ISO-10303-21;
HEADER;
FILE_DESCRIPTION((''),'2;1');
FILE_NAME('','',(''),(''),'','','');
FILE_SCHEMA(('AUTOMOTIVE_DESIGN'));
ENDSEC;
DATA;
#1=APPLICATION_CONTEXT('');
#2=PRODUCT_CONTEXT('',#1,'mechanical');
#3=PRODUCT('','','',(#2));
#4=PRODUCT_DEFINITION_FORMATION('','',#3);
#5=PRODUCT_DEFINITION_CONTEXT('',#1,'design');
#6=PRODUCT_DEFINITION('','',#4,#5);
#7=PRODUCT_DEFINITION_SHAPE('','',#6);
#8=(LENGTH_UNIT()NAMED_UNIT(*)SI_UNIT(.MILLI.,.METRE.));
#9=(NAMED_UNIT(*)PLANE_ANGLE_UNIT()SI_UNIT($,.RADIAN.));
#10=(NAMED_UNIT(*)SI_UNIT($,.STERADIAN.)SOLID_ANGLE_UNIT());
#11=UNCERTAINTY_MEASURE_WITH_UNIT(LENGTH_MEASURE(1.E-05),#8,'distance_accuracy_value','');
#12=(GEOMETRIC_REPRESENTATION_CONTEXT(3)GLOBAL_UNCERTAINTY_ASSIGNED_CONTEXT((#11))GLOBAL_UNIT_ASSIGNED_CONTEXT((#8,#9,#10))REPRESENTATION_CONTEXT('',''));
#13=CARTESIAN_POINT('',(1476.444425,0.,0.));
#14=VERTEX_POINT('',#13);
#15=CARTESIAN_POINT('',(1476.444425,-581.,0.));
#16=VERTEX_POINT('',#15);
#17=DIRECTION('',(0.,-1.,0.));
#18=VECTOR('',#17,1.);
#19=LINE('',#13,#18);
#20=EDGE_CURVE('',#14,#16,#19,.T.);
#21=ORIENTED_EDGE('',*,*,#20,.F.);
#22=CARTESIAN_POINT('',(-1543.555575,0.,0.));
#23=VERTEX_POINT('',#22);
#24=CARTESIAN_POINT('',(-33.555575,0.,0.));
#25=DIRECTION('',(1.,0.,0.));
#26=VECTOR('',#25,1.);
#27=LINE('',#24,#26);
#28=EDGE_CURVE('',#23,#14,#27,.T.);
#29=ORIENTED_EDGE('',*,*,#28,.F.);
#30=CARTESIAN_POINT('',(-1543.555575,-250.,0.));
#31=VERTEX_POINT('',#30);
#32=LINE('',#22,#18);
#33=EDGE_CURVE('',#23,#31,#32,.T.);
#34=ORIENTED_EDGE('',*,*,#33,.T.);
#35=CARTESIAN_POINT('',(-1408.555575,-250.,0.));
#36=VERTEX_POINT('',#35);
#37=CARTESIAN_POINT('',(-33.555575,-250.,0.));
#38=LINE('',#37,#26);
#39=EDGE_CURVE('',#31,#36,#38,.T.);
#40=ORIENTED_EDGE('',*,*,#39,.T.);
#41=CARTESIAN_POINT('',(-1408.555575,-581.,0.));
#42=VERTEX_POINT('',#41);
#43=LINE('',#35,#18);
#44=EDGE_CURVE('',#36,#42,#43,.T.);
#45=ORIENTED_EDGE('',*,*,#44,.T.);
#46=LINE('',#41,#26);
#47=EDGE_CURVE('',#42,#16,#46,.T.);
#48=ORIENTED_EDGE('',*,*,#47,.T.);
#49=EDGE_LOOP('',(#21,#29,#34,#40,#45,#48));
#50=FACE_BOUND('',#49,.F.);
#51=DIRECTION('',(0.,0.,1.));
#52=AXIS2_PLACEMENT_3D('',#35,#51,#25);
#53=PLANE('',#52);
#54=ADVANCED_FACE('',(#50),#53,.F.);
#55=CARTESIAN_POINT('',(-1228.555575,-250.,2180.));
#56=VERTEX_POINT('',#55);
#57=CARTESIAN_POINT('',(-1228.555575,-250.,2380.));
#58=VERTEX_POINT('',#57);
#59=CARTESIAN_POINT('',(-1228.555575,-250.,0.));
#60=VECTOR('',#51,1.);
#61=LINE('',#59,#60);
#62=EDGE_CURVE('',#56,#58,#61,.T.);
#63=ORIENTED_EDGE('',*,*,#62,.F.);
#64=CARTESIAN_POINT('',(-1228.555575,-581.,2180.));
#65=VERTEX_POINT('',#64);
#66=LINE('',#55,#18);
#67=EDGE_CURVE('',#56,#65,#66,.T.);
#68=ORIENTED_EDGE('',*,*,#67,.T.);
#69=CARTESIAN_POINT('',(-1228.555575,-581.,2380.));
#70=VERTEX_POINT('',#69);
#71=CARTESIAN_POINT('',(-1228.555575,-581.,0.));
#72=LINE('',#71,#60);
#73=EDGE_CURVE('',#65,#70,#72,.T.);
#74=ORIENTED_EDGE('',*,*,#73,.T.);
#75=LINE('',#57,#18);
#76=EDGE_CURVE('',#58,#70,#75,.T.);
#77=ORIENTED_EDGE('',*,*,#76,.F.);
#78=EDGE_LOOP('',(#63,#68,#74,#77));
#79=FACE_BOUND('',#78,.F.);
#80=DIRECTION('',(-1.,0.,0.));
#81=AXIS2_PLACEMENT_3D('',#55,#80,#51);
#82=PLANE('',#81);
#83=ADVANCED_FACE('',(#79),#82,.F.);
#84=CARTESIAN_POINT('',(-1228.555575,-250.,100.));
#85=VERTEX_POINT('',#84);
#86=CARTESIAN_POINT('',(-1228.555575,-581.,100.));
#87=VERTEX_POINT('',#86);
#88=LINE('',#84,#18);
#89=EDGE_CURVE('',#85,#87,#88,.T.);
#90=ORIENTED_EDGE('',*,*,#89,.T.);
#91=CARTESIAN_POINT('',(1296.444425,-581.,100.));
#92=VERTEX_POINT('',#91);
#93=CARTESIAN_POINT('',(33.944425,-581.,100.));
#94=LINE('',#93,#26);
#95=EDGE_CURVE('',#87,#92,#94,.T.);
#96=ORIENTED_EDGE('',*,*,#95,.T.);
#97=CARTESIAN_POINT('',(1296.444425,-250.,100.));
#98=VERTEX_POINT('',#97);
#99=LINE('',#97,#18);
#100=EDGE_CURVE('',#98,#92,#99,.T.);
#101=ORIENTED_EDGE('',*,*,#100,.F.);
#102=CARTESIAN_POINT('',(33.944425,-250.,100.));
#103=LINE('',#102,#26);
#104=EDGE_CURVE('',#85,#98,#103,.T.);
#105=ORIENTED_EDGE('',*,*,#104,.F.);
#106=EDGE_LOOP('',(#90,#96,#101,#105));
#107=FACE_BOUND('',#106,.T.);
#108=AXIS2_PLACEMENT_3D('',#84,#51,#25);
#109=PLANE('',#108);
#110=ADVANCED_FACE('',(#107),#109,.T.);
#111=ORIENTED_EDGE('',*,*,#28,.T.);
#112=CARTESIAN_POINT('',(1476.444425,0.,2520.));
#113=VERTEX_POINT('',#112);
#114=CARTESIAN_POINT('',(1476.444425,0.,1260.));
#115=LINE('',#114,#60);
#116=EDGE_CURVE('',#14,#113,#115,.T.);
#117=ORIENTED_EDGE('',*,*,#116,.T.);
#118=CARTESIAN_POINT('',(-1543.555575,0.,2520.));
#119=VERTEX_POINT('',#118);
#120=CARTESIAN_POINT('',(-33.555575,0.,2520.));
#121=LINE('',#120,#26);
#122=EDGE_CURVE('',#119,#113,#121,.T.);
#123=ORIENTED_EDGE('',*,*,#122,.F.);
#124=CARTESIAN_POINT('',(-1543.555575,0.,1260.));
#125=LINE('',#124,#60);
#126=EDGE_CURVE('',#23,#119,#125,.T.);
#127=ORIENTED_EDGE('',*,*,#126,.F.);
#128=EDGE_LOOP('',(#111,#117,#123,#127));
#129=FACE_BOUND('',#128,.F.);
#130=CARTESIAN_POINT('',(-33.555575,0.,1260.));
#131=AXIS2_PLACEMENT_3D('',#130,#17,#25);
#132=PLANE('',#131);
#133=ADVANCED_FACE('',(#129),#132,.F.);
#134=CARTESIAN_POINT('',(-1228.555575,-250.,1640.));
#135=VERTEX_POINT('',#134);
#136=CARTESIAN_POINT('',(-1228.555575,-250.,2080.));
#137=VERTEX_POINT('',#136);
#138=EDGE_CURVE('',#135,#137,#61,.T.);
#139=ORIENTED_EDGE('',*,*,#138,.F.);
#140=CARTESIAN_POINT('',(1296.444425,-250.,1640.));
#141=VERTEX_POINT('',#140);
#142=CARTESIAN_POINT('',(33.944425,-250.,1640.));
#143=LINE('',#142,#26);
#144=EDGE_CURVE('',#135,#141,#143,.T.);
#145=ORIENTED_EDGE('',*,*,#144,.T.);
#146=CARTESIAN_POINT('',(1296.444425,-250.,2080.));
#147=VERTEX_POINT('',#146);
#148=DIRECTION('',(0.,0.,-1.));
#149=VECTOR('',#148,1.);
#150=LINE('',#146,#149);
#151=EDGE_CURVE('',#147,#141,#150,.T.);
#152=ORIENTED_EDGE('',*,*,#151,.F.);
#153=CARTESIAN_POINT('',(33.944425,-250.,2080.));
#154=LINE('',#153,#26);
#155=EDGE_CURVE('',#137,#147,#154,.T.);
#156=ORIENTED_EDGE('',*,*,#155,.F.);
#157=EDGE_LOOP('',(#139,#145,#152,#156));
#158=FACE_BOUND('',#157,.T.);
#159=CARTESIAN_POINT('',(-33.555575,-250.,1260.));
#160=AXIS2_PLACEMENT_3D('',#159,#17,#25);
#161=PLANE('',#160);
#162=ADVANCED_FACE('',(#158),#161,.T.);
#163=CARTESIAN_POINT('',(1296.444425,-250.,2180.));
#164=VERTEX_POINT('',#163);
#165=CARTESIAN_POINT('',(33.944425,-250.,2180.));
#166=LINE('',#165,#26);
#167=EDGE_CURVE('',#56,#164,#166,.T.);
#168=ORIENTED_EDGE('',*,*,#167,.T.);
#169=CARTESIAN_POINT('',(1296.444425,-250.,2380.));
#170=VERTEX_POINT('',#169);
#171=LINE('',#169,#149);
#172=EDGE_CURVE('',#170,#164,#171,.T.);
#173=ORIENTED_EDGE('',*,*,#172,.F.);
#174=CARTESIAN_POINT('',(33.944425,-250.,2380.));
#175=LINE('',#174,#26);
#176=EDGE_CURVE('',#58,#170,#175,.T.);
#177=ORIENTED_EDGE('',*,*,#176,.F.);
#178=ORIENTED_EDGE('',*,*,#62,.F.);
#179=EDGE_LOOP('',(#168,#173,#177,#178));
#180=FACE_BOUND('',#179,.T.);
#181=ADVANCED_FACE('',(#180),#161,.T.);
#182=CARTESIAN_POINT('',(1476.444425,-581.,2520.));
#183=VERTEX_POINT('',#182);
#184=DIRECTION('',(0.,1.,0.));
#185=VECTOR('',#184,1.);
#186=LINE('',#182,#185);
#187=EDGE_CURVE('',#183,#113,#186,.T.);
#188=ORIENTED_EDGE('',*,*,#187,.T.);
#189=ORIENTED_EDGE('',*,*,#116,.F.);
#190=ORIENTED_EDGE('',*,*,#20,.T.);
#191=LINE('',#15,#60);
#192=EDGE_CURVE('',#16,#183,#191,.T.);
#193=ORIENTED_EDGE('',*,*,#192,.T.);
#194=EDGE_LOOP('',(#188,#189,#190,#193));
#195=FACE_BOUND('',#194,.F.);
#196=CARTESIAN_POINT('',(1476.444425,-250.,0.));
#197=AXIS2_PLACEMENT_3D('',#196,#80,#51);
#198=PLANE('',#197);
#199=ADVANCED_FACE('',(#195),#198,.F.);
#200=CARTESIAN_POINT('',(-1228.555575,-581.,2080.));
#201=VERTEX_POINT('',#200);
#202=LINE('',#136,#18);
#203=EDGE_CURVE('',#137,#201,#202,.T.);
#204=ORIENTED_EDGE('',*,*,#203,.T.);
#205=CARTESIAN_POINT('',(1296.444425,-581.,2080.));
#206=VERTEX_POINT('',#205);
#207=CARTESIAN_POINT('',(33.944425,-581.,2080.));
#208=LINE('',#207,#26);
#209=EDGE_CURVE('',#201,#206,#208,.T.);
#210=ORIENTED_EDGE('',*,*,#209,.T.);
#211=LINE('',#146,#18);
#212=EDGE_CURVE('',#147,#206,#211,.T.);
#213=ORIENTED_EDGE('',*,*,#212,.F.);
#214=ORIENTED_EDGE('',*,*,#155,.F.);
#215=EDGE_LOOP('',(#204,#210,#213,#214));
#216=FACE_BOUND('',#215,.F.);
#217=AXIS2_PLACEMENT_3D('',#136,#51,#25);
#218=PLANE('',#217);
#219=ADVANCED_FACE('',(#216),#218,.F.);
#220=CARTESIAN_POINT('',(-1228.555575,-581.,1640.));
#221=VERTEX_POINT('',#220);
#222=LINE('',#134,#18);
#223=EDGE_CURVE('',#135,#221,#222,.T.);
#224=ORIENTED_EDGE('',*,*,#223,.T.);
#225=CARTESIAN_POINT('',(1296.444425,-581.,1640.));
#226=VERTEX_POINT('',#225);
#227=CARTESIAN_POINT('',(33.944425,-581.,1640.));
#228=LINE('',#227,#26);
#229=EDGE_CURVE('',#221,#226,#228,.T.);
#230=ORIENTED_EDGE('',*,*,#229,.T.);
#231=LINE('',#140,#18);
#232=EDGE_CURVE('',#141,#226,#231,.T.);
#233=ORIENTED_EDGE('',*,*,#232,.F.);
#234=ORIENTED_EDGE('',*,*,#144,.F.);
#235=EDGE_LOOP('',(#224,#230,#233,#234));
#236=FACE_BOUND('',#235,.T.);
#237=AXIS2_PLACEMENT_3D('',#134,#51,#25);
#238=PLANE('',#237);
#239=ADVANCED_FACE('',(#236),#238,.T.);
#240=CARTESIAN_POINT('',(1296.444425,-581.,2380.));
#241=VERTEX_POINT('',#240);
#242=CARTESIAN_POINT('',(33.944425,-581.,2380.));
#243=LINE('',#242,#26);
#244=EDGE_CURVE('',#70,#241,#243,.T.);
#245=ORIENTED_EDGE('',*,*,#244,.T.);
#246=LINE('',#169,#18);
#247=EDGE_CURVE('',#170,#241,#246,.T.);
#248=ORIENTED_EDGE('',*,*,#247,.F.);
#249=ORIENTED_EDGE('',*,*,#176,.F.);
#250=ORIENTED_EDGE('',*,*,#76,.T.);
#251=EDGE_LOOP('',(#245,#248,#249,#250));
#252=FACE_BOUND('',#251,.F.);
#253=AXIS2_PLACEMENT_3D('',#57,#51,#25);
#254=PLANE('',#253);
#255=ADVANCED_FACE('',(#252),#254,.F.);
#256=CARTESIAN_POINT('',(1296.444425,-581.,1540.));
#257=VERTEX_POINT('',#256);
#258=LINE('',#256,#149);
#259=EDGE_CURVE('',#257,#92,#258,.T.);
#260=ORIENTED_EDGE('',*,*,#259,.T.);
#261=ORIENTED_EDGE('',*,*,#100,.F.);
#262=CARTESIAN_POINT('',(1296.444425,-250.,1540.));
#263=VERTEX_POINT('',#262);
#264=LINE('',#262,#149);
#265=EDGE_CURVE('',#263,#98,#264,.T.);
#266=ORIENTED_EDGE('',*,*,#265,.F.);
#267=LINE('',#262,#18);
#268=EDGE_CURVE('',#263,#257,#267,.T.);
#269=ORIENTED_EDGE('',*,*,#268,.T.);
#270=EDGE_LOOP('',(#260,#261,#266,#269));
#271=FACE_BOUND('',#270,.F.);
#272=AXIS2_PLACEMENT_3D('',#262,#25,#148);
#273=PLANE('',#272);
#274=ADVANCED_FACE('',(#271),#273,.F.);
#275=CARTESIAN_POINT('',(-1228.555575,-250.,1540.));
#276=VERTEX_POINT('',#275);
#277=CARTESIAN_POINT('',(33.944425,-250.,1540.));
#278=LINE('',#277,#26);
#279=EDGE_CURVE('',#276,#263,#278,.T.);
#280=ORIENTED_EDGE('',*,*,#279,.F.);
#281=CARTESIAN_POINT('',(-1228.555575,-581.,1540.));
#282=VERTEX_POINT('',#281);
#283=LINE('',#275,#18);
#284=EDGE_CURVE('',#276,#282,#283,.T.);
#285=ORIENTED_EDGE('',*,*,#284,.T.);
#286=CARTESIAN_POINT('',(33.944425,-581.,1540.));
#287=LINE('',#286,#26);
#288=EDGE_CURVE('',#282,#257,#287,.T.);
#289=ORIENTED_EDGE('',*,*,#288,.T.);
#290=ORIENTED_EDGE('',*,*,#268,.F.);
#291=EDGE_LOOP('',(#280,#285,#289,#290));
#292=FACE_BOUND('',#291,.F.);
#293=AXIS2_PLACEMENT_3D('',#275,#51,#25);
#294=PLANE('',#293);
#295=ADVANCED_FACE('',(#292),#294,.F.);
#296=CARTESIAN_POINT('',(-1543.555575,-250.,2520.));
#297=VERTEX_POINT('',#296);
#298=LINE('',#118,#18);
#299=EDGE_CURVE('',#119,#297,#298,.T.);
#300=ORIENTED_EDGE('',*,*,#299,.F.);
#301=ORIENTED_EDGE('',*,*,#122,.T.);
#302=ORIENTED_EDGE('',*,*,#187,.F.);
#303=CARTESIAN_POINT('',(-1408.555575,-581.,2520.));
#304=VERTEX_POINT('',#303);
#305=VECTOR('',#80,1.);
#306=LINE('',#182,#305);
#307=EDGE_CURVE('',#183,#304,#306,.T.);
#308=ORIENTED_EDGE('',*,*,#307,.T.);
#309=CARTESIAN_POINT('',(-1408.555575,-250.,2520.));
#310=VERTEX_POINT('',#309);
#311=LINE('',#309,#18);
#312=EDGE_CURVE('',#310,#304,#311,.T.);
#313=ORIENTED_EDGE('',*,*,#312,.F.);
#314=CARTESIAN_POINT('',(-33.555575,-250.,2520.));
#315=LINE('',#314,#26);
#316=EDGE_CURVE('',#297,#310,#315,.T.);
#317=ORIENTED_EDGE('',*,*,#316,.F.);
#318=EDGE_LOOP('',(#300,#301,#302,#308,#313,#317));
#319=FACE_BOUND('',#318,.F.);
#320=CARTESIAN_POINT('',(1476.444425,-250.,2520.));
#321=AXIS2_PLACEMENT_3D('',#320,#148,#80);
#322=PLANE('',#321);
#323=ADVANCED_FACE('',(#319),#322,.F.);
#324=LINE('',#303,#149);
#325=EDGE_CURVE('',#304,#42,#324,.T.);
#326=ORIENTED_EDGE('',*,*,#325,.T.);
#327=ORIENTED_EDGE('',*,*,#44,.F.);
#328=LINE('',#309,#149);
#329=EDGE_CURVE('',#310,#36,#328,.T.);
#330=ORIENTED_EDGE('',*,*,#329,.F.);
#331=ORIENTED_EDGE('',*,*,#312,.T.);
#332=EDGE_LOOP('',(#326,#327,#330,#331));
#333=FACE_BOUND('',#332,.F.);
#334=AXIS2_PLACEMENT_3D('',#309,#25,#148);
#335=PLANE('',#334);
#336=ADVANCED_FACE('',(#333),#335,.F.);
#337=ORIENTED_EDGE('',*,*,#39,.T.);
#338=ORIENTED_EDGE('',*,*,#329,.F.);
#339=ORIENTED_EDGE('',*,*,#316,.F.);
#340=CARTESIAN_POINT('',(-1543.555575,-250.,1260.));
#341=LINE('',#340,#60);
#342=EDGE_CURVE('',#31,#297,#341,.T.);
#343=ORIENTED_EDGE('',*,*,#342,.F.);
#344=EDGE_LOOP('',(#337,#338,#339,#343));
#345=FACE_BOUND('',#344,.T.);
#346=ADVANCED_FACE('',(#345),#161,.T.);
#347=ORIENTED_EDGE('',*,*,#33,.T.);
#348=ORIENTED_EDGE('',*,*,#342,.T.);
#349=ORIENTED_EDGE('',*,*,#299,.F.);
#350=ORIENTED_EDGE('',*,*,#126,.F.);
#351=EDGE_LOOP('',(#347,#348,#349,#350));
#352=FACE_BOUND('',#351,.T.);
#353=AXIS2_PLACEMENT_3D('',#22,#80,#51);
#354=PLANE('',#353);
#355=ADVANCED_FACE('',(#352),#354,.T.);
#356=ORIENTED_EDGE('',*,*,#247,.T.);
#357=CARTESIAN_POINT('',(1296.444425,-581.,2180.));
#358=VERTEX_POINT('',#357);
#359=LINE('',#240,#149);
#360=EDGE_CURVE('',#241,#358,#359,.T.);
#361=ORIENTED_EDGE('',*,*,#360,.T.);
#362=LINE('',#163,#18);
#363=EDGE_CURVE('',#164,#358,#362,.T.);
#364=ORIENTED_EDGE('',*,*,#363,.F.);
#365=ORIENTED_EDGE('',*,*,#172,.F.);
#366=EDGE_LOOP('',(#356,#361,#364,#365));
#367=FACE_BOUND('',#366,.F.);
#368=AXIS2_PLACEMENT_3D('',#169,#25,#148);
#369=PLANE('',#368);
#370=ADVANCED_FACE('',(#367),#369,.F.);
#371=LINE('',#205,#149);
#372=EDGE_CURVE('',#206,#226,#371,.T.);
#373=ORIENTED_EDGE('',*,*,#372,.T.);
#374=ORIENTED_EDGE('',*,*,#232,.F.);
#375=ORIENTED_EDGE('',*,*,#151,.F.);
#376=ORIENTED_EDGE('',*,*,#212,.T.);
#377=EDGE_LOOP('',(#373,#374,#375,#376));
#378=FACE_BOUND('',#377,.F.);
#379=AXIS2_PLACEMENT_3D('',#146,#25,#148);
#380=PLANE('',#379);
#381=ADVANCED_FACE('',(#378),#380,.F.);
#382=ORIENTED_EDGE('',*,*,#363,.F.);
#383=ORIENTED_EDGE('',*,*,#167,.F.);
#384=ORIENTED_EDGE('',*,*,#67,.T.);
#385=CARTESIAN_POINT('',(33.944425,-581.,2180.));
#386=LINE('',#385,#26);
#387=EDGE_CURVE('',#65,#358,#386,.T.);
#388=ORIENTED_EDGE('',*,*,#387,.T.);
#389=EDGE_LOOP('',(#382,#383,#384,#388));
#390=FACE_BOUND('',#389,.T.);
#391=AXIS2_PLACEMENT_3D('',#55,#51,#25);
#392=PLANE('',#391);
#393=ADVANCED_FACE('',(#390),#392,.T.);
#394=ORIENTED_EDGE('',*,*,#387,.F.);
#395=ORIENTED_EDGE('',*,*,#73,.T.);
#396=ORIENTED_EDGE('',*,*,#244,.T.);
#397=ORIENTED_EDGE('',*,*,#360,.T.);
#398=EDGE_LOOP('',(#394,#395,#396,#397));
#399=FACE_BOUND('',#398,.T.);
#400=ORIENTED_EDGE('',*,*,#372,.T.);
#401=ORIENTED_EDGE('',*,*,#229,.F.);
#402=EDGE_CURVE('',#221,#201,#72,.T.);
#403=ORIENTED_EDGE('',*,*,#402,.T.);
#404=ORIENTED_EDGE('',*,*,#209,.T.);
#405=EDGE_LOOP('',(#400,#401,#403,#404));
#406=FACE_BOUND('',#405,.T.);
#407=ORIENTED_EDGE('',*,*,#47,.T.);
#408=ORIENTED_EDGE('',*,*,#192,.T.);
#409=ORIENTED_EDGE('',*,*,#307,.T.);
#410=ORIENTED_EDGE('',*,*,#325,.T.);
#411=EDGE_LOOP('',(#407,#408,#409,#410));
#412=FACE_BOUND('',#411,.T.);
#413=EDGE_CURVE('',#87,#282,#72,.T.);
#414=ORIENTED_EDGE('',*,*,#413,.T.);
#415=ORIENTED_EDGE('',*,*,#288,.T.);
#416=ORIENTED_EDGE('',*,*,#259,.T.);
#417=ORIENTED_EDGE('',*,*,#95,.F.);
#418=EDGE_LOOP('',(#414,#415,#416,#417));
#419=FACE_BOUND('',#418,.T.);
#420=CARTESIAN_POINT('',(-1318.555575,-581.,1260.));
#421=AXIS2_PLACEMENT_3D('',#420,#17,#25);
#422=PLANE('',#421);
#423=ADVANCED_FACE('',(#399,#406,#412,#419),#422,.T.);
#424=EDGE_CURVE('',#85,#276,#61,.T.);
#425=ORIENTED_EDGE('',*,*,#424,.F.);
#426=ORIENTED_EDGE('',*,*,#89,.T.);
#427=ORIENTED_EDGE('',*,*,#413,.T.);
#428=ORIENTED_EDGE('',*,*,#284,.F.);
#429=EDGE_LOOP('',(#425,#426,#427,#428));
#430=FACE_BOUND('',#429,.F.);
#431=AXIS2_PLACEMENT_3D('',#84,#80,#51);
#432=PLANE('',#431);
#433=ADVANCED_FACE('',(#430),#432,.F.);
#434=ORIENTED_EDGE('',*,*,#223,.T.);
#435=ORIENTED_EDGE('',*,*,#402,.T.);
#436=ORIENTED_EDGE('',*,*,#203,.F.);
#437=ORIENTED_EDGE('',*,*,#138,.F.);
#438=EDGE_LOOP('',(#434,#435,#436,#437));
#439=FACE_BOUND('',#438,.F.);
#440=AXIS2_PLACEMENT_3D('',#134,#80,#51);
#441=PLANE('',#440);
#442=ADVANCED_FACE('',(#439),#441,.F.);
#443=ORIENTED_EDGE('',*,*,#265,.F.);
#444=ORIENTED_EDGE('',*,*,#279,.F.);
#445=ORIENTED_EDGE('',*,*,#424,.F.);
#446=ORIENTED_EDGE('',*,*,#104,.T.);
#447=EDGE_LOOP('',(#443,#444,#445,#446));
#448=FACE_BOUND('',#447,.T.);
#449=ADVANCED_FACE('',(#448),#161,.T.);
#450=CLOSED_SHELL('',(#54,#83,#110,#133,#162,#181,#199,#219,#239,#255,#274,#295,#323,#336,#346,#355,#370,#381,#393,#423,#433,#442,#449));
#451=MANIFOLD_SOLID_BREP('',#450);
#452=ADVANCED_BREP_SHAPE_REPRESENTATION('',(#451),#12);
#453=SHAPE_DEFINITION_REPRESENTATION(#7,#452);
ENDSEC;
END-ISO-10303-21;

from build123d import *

# Parameters (mm, degrees)
F0_W     = 3020
F0_H     = 2520
F1_DEPTH = 250
F2_W     = 2525
F2_H     = 140
F2_H_2   = 100
F3_DEPTH = 331


with BuildPart() as f1:
    # F0 (on Front) → F1 (new body)
    with BuildSketch(Plane.XZ):
        with Locations((-33.555575, 1260)):
            Rectangle(F0_W, F0_H)
    extrude(amount=F1_DEPTH)

    # F2 (on face) → F3 (join)
    with BuildSketch(Plane.XZ.offset(250)):
        Polygon((-1228.555575, 2520), (-1408.555575, 2520), (-1408.555575, 0), (-1228.555575, 0), (-1228.555575, 100), (-1228.555575, 1540), (-1228.555575, 1640), (-1228.555575, 2080), (-1228.555575, 2180), (-1228.555575, 2380), align=None)
        with Locations((33.944425, 2450)):
            Rectangle(F2_W, F2_H)
        with Locations((33.944425, 2130)):
            Rectangle(F2_W, F2_H_2)
        with Locations((33.944425, 1590)):
            Rectangle(F2_W, F2_H_2)
        with Locations((33.944425, 50)):
            Rectangle(F2_W, F2_H_2)
        Polygon((1476.444425, 2520), (1296.444425, 2520), (1296.444425, 2380), (1296.444425, 2180), (1296.444425, 2080), (1296.444425, 1640), (1296.444425, 1540), (1296.444425, 100), (1296.444425, 0), (1476.444425, 0), align=None)
    extrude(amount=F3_DEPTH)


solid = f1.part
